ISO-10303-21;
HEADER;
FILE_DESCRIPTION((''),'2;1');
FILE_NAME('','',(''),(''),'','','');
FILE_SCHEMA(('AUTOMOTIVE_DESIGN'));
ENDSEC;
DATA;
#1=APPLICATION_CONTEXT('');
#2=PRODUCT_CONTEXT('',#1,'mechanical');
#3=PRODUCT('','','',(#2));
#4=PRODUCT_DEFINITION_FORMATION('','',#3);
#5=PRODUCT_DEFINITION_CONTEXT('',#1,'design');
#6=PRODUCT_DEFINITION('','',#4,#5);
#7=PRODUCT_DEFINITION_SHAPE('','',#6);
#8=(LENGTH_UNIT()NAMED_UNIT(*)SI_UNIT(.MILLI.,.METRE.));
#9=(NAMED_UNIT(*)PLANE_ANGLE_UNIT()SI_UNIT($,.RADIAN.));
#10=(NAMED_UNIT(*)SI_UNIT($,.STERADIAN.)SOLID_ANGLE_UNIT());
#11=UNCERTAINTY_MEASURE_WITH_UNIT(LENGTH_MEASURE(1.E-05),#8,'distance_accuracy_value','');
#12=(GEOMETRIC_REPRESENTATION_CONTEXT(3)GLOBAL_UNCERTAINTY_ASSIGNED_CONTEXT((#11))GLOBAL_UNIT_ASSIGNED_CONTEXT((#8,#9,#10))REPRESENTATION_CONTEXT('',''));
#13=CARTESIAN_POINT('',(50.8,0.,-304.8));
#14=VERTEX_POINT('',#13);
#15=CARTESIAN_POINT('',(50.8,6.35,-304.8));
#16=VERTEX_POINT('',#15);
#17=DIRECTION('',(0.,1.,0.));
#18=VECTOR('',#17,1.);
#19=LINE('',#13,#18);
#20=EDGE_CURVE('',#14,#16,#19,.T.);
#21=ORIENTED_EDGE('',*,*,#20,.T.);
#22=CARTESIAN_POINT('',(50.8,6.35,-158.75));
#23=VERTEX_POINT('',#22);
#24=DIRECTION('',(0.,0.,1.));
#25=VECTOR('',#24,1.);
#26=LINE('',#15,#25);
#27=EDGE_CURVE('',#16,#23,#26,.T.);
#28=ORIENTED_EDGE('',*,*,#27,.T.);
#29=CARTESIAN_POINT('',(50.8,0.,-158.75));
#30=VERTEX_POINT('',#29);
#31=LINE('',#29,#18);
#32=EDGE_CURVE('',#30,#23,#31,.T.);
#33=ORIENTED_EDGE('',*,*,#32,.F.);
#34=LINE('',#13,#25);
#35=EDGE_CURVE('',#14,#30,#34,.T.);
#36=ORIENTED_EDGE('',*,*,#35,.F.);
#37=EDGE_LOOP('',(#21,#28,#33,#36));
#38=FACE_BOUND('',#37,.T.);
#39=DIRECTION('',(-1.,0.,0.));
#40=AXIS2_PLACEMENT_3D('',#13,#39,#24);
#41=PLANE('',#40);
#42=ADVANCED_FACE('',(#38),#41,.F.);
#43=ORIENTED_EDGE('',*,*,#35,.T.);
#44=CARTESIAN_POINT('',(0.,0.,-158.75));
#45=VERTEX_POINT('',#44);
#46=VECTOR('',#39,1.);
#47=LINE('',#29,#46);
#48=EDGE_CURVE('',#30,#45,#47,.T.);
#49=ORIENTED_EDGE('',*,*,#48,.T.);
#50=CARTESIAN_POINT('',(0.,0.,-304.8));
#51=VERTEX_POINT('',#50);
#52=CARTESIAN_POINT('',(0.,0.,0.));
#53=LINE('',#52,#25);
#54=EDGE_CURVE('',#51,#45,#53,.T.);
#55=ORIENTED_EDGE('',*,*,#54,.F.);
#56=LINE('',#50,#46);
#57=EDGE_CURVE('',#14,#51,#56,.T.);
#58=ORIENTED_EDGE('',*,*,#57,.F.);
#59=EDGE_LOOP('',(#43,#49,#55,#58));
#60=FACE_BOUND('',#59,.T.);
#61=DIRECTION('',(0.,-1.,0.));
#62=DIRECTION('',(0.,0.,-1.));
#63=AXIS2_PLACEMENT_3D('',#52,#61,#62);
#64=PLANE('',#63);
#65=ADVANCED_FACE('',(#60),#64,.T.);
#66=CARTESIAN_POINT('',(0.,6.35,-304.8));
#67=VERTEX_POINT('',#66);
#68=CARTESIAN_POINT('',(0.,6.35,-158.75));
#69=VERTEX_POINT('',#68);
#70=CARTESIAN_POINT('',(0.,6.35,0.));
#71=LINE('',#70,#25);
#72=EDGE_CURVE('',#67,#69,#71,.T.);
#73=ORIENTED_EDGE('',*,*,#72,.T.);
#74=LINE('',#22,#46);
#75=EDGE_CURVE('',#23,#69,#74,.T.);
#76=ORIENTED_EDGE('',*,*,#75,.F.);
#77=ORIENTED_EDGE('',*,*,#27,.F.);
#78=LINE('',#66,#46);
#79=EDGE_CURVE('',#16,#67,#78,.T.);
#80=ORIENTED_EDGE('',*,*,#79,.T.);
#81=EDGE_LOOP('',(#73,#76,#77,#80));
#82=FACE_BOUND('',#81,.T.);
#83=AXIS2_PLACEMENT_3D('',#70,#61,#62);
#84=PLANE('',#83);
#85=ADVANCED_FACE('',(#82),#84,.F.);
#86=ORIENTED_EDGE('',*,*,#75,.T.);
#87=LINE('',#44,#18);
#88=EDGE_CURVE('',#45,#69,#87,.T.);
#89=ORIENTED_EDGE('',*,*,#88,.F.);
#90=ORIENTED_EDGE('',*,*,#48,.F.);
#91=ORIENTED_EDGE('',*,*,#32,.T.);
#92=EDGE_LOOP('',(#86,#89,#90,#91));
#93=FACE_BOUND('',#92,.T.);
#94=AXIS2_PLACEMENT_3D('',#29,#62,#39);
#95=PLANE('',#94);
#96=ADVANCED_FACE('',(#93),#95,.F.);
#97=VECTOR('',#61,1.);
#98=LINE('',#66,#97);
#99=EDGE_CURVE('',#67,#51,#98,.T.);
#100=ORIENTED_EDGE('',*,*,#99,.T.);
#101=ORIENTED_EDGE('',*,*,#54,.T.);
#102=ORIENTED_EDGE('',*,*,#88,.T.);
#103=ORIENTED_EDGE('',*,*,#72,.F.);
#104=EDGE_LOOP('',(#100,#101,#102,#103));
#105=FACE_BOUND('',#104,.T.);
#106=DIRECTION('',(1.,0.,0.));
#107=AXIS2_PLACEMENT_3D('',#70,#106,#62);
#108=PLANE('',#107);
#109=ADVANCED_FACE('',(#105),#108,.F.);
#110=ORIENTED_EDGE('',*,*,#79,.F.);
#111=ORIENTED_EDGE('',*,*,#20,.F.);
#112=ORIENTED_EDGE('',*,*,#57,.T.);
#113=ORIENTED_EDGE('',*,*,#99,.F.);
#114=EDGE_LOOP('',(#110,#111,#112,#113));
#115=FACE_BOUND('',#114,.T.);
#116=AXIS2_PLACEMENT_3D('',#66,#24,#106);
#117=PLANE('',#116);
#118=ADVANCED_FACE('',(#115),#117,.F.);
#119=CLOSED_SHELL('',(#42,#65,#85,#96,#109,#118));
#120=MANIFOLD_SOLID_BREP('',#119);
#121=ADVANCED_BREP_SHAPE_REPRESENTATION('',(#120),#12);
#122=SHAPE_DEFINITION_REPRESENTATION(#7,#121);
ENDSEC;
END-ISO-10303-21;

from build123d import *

# Parameters (mm, degrees)
SKETCH1_W           = 304.8
SKETCH1_H           = 304.8
BOSS_EXTRUDE1_DEPTH = 6.35
CUT_EXTRUDE2_DEPTH  = 6.35


with BuildPart() as part:
    # Sketch1 → Boss-Extrude1 (new body)
    with BuildSketch(Plane(origin=(0, 0, 0), x_dir=(1, 0, 0), z_dir=(0, 1, 0))):
        with Locations((152.4, 152.4)):
            Rectangle(SKETCH1_W, SKETCH1_H)
    extrude(amount=BOSS_EXTRUDE1_DEPTH)

    # Sketch2 → Cut-Extrude2 (cut)
    with BuildSketch(Plane(origin=(0, 6.35, 0), x_dir=(1, 0, 0), z_dir=(0, 1, 0))):
        Polygon((50.8, 304.8), (50.8, 158.75), (0, 158.75), (0, 0), (304.8, 0), (304.8, 304.8), align=None)
    extrude(amount=-CUT_EXTRUDE2_DEPTH, mode=Mode.SUBTRACT)


solid = part.part
